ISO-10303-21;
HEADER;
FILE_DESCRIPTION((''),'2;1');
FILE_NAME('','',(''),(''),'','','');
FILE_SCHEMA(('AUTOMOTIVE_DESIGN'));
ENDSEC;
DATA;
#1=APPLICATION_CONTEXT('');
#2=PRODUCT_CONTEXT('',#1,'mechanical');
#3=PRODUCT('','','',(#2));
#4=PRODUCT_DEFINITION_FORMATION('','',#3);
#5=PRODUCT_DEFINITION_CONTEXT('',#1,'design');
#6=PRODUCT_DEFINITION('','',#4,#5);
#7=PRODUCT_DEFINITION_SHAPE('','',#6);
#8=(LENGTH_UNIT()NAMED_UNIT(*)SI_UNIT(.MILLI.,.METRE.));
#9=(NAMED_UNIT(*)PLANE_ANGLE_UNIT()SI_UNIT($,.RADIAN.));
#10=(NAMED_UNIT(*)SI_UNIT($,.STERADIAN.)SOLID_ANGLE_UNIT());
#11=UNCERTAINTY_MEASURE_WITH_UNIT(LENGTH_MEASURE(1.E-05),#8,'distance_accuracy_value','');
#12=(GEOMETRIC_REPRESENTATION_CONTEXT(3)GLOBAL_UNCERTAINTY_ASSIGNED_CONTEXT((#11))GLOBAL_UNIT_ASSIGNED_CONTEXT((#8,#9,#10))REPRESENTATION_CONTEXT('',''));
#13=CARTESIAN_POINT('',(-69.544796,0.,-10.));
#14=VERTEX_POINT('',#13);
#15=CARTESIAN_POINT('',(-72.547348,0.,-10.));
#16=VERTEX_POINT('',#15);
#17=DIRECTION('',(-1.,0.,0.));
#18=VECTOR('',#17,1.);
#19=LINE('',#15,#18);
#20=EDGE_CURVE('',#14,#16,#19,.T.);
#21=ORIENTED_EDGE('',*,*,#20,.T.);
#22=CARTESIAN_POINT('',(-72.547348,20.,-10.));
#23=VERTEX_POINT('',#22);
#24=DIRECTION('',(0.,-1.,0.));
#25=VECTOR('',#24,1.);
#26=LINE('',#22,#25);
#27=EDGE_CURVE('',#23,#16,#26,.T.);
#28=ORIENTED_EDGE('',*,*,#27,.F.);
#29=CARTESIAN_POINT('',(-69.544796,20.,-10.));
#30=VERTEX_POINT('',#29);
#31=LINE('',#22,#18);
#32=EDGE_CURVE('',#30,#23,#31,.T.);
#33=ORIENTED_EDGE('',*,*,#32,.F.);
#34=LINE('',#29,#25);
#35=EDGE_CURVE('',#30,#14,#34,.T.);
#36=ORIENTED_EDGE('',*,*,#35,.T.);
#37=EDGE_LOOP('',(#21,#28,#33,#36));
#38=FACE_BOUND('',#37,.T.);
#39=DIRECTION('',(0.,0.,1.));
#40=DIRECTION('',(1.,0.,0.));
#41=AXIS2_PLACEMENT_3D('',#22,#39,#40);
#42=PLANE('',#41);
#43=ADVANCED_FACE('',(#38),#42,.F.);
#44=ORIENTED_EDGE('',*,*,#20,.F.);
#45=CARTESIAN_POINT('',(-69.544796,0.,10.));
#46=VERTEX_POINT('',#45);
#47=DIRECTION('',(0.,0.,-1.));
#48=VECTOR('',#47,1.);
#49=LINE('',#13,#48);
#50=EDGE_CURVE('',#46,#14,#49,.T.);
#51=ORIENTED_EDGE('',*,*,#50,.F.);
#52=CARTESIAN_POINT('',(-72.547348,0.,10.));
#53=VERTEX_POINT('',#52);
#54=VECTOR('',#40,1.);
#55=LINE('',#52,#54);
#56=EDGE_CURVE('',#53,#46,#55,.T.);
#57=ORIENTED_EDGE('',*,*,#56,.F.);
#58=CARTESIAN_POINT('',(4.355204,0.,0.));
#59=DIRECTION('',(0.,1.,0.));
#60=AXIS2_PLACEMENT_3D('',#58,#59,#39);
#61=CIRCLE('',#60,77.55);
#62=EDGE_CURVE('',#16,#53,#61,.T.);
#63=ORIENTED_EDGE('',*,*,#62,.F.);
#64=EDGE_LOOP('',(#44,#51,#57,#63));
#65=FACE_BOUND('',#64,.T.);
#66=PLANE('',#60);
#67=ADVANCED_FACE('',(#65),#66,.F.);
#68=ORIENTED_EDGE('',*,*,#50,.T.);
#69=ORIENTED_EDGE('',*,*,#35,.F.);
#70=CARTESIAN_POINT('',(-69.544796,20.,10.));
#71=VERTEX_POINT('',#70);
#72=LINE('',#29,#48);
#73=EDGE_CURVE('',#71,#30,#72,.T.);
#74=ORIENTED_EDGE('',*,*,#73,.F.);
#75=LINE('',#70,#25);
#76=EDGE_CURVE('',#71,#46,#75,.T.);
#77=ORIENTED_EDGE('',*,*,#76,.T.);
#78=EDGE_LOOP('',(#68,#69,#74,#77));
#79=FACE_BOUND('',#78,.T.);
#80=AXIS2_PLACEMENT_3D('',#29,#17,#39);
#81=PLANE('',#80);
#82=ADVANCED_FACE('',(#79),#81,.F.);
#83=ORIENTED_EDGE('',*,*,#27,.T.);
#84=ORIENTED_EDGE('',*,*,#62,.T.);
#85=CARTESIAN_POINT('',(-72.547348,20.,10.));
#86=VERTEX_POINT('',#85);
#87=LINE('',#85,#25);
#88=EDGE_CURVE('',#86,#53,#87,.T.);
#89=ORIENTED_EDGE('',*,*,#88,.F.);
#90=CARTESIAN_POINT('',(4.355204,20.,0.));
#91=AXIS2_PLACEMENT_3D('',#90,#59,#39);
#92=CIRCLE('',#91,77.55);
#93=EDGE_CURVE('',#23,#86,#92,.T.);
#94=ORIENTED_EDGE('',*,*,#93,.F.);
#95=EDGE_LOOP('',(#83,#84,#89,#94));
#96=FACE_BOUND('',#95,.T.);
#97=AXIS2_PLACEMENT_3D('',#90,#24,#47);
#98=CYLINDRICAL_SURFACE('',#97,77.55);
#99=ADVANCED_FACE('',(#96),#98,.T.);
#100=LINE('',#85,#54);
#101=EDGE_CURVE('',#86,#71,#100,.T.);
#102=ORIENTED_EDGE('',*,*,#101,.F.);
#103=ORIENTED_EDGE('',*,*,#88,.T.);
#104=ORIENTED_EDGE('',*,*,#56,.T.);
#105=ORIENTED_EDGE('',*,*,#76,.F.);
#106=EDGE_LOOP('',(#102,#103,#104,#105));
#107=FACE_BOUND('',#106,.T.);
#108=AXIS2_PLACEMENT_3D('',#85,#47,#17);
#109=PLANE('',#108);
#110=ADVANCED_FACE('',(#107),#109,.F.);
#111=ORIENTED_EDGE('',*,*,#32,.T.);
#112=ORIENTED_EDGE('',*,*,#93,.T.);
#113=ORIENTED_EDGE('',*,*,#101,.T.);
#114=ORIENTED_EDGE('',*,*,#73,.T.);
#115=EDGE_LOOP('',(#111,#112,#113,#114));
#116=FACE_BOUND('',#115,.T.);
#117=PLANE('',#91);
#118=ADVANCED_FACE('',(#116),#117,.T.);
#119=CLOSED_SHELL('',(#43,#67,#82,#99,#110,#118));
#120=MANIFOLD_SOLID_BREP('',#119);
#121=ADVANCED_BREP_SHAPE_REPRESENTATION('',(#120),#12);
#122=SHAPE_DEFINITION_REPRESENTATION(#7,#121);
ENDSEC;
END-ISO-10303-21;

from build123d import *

# Parameters (mm, degrees)
EXTRUDE_1_DEPTH = 20


with BuildPart() as part:
    # 草图1 → 凸台-拉伸1 (new body)
    with BuildSketch(Plane(origin=(0, 0, 0), x_dir=(1, 0, 0), z_dir=(0, 1, 0))):
        with BuildLine():
            Line((-72.547347638, 10), (-69.544795665, 10))
            Line((-69.544795665, 10), (-69.544795665, -10))
            Line((-69.544795665, -10), (-72.547347638, -10))
            ThreePointArc((-72.547347638, -10), (-73.194795665, 0), (-72.547347638, 10))
        make_face()
    extrude(amount=EXTRUDE_1_DEPTH)


solid = part.part
